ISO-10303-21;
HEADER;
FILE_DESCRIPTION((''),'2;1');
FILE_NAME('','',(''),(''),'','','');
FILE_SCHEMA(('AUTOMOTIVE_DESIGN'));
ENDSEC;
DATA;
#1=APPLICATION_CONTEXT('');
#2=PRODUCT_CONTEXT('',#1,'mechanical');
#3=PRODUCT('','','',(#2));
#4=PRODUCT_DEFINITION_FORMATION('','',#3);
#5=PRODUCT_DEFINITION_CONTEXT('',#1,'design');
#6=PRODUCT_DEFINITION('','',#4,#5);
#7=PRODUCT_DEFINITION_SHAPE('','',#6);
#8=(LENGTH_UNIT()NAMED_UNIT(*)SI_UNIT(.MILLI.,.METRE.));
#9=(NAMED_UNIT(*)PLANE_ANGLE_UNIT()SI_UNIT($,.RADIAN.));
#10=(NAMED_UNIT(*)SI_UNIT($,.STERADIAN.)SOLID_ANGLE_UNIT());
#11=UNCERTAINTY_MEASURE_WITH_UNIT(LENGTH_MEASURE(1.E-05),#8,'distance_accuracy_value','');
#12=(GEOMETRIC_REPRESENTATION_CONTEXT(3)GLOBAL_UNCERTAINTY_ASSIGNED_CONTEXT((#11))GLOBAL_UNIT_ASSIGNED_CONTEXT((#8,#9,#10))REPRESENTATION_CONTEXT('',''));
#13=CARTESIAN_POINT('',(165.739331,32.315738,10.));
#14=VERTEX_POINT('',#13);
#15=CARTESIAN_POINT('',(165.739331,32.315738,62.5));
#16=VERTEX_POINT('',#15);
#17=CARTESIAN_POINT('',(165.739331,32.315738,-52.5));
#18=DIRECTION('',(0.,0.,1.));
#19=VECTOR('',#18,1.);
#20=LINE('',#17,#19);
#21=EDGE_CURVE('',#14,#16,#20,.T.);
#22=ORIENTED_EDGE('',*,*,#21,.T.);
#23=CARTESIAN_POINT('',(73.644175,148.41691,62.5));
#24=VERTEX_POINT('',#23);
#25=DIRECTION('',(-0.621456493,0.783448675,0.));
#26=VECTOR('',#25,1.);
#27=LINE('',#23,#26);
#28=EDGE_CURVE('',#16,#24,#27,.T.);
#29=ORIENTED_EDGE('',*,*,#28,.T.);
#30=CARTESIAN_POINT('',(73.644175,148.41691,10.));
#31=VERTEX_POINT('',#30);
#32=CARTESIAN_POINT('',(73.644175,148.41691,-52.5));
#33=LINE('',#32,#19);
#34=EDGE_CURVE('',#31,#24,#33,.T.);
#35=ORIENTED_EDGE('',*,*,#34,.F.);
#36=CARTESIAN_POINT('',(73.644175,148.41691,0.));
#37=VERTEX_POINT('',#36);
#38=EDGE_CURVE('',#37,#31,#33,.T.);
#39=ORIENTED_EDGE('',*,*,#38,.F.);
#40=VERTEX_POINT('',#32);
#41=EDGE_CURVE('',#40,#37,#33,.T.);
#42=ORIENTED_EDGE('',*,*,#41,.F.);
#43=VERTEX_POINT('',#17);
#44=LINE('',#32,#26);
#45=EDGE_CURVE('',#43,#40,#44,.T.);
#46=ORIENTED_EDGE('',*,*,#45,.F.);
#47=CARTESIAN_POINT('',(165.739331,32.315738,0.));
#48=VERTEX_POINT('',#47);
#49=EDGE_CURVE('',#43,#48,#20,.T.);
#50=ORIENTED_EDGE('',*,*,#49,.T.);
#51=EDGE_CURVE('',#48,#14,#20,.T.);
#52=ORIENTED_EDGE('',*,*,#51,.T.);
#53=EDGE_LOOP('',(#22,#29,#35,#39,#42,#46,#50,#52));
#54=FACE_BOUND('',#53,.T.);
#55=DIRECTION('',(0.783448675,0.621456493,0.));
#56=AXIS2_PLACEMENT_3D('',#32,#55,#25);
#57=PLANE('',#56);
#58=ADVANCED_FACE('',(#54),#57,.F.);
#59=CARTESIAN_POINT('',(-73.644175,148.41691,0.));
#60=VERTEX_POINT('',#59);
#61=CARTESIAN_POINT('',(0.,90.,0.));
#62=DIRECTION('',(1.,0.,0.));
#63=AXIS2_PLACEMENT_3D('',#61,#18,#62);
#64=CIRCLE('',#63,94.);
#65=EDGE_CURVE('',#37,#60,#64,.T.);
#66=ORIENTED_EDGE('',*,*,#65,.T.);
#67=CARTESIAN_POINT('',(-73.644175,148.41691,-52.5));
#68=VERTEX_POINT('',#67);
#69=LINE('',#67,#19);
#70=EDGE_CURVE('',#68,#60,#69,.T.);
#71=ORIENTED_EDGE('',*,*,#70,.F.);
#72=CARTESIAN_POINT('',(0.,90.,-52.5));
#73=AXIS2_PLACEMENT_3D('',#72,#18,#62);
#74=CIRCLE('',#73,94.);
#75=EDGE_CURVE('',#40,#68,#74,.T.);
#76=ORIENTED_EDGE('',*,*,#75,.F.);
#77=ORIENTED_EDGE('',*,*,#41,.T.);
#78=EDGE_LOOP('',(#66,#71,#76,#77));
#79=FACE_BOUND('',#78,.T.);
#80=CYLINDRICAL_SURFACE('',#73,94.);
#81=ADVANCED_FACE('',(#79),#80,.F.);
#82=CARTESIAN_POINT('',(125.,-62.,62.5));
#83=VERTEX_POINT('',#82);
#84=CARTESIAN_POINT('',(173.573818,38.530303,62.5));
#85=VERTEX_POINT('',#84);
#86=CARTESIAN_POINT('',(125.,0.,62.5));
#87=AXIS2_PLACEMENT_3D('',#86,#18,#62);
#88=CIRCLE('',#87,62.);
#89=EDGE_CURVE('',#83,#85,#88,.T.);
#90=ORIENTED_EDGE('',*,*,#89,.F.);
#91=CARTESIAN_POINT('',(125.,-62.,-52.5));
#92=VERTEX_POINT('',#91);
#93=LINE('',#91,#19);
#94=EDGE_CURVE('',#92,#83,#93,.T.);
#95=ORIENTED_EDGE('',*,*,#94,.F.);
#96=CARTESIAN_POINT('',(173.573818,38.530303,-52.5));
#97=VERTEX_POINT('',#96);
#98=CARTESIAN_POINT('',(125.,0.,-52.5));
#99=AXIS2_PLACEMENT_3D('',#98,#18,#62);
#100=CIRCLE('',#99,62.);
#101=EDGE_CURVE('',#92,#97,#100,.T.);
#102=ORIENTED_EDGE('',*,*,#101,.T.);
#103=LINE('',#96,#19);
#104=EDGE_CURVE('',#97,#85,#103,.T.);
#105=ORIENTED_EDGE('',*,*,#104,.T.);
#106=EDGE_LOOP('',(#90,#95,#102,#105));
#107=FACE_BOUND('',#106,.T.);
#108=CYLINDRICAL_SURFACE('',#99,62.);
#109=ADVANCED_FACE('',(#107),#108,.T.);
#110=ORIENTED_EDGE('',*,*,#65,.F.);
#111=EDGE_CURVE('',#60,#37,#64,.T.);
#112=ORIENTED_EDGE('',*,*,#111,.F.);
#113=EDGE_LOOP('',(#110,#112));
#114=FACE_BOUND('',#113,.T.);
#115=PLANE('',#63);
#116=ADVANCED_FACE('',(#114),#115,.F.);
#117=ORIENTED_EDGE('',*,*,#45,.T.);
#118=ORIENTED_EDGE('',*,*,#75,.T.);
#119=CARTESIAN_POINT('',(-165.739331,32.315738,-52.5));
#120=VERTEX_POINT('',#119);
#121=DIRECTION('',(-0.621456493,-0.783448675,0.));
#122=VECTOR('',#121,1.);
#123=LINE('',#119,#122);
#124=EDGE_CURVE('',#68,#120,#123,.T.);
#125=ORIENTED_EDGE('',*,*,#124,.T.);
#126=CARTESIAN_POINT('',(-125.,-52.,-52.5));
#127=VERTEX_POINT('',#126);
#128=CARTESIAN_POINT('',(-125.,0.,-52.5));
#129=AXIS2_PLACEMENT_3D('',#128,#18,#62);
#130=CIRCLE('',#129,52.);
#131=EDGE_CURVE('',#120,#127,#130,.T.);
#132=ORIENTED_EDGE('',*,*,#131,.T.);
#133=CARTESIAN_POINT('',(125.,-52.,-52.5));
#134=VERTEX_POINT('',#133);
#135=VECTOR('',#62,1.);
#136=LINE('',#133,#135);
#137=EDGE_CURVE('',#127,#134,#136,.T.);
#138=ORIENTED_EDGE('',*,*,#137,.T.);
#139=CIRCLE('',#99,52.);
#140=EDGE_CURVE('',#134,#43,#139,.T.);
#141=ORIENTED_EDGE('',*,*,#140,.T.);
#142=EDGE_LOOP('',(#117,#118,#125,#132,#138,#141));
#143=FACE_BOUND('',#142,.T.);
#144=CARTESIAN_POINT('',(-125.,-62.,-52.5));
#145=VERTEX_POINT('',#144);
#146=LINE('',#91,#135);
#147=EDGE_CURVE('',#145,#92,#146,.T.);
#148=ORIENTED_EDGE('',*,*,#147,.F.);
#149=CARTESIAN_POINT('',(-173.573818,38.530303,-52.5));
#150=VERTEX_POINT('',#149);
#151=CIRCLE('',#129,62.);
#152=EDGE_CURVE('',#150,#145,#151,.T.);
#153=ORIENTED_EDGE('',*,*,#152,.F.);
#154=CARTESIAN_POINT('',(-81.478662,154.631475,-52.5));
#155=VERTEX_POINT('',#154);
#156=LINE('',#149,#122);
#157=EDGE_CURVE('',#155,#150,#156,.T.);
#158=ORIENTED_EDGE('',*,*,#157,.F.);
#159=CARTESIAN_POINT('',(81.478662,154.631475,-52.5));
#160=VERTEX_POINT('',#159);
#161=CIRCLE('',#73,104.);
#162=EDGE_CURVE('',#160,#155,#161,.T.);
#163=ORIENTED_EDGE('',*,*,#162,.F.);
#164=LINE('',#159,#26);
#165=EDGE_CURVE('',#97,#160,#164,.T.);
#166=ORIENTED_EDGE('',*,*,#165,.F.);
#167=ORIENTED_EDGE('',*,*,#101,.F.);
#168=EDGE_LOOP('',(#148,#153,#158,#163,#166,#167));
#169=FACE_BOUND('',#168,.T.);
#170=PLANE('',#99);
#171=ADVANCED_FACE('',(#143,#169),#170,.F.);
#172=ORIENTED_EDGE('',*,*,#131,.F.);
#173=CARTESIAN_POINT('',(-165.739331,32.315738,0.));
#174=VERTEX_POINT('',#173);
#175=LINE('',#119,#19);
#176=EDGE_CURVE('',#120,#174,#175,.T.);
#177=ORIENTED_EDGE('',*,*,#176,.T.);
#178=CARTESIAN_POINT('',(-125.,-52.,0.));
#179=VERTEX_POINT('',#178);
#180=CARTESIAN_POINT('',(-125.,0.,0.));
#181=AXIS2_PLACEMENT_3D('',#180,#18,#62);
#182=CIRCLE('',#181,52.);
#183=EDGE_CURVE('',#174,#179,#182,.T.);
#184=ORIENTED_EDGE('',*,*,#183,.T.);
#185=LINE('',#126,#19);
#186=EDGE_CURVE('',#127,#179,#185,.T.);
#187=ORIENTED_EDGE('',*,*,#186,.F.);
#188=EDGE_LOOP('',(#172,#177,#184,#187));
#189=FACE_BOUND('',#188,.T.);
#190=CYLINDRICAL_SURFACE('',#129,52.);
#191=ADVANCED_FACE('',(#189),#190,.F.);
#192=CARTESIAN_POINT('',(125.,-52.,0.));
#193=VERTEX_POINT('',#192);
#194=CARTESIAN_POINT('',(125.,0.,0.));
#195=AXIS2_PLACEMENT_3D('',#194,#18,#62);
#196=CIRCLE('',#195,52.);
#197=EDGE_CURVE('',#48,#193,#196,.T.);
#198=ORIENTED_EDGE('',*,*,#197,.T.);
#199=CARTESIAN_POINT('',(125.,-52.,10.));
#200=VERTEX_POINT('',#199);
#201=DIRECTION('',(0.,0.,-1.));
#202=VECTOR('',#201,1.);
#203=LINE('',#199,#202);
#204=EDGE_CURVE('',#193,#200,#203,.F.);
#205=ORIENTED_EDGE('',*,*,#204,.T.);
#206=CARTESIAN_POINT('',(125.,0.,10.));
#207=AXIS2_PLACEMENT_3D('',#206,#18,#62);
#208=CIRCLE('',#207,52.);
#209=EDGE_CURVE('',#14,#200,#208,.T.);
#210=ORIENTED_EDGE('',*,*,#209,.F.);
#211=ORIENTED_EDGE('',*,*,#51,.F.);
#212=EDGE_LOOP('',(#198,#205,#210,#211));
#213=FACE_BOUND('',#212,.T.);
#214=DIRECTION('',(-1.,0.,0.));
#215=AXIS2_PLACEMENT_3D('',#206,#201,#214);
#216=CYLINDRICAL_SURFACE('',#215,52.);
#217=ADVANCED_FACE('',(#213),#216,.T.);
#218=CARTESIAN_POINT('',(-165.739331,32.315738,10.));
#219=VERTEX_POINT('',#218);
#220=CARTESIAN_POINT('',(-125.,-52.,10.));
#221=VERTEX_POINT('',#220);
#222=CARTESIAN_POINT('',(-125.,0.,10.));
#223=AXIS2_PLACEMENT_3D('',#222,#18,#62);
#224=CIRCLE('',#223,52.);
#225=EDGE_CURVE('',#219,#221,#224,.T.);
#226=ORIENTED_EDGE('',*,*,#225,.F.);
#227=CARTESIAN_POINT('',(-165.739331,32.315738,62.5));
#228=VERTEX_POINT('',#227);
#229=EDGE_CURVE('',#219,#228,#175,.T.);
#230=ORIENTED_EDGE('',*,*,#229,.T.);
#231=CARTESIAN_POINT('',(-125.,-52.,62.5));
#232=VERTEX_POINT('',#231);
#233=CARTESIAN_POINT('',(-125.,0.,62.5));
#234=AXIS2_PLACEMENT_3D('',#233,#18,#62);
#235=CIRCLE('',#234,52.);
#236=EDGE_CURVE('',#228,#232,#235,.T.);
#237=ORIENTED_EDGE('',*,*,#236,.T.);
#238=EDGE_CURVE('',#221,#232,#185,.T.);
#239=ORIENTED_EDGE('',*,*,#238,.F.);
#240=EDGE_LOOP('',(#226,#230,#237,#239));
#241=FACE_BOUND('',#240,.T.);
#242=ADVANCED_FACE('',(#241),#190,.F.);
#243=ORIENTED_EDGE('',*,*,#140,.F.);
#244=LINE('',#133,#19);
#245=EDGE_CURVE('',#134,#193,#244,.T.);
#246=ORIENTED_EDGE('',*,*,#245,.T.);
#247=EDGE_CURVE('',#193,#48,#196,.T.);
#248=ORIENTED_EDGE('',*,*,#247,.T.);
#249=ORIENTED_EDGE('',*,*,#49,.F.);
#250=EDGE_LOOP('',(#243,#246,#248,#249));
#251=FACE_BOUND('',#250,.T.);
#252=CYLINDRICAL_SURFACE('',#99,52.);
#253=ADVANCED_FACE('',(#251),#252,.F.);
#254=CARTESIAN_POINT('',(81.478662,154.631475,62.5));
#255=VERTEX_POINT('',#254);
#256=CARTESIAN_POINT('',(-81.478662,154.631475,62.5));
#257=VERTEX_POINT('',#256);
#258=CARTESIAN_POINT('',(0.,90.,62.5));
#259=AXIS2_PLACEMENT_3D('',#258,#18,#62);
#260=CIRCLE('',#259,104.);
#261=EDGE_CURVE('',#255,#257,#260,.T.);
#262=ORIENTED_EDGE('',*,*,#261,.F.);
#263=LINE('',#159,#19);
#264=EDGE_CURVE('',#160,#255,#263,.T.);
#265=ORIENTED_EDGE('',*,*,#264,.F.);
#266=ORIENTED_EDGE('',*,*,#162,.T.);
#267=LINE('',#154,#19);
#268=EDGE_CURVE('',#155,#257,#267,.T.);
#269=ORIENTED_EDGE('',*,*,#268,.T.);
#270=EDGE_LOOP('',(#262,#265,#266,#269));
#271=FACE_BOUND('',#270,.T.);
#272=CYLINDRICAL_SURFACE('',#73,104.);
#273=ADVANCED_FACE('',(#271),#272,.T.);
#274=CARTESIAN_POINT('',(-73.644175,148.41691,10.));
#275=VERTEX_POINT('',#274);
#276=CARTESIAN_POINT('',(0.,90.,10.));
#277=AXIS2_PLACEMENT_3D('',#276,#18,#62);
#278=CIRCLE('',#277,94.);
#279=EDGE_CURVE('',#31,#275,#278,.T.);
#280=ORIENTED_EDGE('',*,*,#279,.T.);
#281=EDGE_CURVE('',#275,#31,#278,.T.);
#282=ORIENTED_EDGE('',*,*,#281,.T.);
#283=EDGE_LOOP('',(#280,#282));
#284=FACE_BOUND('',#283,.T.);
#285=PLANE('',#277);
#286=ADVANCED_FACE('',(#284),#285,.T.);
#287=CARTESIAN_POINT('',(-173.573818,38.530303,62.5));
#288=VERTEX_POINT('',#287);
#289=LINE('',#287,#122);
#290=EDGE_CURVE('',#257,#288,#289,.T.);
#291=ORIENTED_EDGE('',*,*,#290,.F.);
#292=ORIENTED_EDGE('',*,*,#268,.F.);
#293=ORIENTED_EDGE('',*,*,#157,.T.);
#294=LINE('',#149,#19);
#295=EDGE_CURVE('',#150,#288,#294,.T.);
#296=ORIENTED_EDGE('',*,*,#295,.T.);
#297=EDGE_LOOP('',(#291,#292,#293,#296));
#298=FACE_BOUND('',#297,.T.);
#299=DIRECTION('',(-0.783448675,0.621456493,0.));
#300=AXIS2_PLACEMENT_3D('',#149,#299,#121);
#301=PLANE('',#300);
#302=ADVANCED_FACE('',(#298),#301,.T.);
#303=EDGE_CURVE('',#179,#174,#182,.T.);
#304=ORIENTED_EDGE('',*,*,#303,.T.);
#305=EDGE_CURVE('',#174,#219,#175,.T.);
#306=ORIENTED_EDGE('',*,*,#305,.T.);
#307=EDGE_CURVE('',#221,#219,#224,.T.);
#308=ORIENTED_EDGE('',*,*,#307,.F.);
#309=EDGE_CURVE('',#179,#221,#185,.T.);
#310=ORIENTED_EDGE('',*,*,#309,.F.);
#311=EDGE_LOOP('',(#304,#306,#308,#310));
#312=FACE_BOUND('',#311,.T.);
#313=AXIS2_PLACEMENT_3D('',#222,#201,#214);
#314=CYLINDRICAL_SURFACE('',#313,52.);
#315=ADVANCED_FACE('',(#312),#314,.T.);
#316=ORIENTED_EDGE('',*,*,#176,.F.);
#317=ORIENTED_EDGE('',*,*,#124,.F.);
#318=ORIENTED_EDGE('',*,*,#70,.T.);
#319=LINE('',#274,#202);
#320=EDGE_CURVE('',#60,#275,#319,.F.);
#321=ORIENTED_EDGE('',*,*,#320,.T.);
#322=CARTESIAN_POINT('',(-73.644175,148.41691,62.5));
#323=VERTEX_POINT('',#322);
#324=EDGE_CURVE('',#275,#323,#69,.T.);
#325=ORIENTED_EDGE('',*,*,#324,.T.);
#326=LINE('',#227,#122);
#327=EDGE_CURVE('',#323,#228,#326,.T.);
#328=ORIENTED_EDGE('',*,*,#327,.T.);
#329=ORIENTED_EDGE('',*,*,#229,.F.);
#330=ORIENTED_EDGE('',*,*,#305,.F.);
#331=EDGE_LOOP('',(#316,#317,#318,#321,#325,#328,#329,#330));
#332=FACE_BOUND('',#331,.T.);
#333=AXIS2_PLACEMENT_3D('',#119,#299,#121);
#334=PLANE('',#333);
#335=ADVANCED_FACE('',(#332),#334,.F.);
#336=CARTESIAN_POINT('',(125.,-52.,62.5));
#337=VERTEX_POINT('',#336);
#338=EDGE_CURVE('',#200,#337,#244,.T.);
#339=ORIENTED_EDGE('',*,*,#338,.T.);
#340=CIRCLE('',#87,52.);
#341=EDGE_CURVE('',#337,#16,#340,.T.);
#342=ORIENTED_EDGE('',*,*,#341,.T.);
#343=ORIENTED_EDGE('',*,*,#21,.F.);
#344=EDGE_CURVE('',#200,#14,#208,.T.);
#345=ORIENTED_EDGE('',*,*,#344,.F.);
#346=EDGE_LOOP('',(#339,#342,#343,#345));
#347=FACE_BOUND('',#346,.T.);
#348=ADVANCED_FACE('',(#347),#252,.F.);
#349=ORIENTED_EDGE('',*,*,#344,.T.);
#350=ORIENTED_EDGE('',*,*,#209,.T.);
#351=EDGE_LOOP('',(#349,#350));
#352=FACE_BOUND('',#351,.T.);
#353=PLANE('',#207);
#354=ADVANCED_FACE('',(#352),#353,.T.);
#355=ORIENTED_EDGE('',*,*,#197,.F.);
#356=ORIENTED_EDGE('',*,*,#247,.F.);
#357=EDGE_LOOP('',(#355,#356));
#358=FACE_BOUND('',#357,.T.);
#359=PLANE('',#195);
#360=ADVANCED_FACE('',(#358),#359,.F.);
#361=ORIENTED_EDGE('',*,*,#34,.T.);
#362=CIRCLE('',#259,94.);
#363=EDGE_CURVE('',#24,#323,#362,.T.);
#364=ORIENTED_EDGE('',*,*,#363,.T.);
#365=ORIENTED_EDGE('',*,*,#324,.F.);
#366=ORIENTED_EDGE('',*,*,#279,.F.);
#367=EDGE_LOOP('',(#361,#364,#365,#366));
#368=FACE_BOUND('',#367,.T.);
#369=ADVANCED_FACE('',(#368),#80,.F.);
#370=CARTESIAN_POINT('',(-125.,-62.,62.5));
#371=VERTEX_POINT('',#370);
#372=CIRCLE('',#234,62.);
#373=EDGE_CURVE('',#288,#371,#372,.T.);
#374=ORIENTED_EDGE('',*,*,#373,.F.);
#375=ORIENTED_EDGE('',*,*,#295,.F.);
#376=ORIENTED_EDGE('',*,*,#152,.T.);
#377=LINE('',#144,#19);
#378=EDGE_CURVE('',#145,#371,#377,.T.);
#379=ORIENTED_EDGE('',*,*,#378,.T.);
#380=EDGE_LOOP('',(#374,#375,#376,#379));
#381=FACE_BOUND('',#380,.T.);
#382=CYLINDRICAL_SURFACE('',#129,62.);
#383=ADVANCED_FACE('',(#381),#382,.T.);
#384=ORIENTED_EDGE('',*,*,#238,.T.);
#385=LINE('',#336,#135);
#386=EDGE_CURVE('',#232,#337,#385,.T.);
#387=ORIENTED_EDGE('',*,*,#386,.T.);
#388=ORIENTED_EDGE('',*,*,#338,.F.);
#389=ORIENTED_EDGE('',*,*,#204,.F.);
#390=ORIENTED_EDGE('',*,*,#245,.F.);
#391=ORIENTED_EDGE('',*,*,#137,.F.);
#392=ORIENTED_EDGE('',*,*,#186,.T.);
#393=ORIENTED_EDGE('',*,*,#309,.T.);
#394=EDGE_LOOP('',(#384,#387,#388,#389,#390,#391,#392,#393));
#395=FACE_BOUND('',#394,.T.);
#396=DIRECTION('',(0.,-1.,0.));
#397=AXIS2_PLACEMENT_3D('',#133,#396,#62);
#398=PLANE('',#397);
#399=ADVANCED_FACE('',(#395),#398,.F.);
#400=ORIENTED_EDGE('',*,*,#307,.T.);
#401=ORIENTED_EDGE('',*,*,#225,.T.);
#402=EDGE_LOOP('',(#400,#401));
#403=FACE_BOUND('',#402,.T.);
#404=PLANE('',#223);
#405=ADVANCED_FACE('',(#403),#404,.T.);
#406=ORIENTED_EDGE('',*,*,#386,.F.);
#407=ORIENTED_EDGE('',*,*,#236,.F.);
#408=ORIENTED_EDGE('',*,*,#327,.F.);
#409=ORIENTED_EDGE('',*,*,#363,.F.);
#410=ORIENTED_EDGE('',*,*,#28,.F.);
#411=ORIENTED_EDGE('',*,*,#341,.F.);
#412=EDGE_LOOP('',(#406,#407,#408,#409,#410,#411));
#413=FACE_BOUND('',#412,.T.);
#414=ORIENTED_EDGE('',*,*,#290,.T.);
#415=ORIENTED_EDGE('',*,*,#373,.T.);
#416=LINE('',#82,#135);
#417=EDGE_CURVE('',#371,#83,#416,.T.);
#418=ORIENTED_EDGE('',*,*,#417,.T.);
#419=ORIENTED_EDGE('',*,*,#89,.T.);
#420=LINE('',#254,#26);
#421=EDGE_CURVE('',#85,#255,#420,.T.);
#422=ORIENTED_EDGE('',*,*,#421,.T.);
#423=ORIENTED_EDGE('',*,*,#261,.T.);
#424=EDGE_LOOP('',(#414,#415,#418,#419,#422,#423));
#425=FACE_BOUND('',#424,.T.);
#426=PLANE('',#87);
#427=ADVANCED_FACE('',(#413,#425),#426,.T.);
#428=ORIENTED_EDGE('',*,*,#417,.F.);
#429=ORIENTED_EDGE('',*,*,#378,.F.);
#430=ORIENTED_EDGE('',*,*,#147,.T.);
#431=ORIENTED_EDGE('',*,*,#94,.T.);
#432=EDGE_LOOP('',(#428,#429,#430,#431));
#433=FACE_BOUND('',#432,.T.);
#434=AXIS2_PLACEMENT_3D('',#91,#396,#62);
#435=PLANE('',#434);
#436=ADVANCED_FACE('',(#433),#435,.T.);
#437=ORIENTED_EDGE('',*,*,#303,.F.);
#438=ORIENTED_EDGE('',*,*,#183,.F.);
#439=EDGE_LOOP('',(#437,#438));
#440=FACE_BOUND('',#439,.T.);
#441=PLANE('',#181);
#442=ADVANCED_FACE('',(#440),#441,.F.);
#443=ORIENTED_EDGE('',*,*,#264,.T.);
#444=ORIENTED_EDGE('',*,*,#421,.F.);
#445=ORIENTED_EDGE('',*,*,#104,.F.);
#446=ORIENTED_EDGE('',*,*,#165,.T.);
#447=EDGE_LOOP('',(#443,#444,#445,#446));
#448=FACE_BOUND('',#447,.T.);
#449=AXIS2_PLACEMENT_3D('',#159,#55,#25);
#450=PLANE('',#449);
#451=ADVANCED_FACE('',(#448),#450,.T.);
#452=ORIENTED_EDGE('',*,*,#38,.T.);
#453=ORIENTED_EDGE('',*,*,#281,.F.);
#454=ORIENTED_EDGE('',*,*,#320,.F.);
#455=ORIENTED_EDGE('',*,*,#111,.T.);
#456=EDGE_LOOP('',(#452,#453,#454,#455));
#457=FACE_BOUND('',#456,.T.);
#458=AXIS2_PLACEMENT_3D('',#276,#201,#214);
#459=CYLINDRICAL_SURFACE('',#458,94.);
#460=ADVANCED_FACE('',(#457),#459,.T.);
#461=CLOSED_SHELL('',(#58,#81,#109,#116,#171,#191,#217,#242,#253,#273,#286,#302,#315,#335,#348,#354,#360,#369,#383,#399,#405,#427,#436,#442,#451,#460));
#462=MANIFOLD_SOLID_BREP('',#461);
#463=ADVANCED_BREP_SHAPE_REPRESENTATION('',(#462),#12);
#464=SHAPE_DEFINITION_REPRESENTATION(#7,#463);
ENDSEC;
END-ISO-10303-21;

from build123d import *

# Parameters (mm, degrees)
SCHIZZO1_R                     = 52
ESTRUSIONE_ESTRUSIONE1_DEPTH   = 10
ESTRUSIONE_ESTRUSIONE1_2_DEPTH = 10
SCHIZZO1_R_2                   = 94
ESTRUSIONE_ESTRUSIONE1_3_DEPTH = 10
ESTRUSIONE_SOTTILE1_DEPTH      = 52.5
ESTRUSIONE_SOTTILE1_DEPTH_BACK = 62.5


with BuildPart() as part:
    # Schizzo1 → Estrusione-Estrusione1 (new body)
    with BuildSketch(Plane.XY):
        with Locations((-125, 0)):
            Circle(SCHIZZO1_R)
    extrude(amount=ESTRUSIONE_ESTRUSIONE1_DEPTH)



with BuildPart() as body_2:
    # Schizzo1 → Estrusione-Estrusione1 2 (new body)
    with BuildSketch(Plane.XY):
        with Locations((125, 0)):
            Circle(SCHIZZO1_R)
    extrude(amount=ESTRUSIONE_ESTRUSIONE1_2_DEPTH)


with BuildPart() as body_3:
    # Schizzo1 → Estrusione-Estrusione1 3 (new body)
    with BuildSketch(Plane.XY):
        with Locations((0, 90)):
            Circle(SCHIZZO1_R_2)
    extrude(amount=ESTRUSIONE_ESTRUSIONE1_3_DEPTH)


with BuildPart() as part_1:
    add(part.part)

    add(body_2.part)  # Estrusione-Sottile1 merges body 2

    add(body_3.part)  # Estrusione-Sottile1 merges body 3
    # Schizzo2 → Estrusione-Sottile1 (add, two sides: drawn at the far end of the back side and taken through both)
    with BuildSketch(Plane.XY.offset(10).offset(-ESTRUSIONE_SOTTILE1_DEPTH_BACK)):
        with BuildLine():
            Line((81.478662228, 154.631475316), (173.573817867, 38.530302592))
            ThreePointArc((173.573817867, 38.530302592), (180.825078418, -26.973331638), (125, -62))
            Line((125, -62), (-125, -62))
            ThreePointArc((-125, -62), (-180.825078418, -26.973331638), (-173.573817867, 38.530302592))
            Line((-173.573817867, 38.530302592), (-81.478662228, 154.631475316))
            ThreePointArc((-81.478662228, 154.631475316), (0, 194), (81.478662228, 154.631475316))
        make_face()
        with BuildLine():
            Line((73.644175475, 148.416910382), (165.739331114, 32.315737658))
            ThreePointArc((165.739331114, 32.315737658), (171.821033512, -22.622794277), (125, -52))
            Line((125, -52), (-125, -52))
            ThreePointArc((-125, -52), (-171.821033512, -22.622794277), (-165.739331114, 32.315737658))
            Line((-165.739331114, 32.315737658), (-73.644175475, 148.416910382))
            ThreePointArc((-73.644175475, 148.416910382), (0, 184), (73.644175475, 148.416910382))
        make_face(mode=Mode.SUBTRACT)
    extrude(amount=ESTRUSIONE_SOTTILE1_DEPTH + ESTRUSIONE_SOTTILE1_DEPTH_BACK)


solid = part_1.part
